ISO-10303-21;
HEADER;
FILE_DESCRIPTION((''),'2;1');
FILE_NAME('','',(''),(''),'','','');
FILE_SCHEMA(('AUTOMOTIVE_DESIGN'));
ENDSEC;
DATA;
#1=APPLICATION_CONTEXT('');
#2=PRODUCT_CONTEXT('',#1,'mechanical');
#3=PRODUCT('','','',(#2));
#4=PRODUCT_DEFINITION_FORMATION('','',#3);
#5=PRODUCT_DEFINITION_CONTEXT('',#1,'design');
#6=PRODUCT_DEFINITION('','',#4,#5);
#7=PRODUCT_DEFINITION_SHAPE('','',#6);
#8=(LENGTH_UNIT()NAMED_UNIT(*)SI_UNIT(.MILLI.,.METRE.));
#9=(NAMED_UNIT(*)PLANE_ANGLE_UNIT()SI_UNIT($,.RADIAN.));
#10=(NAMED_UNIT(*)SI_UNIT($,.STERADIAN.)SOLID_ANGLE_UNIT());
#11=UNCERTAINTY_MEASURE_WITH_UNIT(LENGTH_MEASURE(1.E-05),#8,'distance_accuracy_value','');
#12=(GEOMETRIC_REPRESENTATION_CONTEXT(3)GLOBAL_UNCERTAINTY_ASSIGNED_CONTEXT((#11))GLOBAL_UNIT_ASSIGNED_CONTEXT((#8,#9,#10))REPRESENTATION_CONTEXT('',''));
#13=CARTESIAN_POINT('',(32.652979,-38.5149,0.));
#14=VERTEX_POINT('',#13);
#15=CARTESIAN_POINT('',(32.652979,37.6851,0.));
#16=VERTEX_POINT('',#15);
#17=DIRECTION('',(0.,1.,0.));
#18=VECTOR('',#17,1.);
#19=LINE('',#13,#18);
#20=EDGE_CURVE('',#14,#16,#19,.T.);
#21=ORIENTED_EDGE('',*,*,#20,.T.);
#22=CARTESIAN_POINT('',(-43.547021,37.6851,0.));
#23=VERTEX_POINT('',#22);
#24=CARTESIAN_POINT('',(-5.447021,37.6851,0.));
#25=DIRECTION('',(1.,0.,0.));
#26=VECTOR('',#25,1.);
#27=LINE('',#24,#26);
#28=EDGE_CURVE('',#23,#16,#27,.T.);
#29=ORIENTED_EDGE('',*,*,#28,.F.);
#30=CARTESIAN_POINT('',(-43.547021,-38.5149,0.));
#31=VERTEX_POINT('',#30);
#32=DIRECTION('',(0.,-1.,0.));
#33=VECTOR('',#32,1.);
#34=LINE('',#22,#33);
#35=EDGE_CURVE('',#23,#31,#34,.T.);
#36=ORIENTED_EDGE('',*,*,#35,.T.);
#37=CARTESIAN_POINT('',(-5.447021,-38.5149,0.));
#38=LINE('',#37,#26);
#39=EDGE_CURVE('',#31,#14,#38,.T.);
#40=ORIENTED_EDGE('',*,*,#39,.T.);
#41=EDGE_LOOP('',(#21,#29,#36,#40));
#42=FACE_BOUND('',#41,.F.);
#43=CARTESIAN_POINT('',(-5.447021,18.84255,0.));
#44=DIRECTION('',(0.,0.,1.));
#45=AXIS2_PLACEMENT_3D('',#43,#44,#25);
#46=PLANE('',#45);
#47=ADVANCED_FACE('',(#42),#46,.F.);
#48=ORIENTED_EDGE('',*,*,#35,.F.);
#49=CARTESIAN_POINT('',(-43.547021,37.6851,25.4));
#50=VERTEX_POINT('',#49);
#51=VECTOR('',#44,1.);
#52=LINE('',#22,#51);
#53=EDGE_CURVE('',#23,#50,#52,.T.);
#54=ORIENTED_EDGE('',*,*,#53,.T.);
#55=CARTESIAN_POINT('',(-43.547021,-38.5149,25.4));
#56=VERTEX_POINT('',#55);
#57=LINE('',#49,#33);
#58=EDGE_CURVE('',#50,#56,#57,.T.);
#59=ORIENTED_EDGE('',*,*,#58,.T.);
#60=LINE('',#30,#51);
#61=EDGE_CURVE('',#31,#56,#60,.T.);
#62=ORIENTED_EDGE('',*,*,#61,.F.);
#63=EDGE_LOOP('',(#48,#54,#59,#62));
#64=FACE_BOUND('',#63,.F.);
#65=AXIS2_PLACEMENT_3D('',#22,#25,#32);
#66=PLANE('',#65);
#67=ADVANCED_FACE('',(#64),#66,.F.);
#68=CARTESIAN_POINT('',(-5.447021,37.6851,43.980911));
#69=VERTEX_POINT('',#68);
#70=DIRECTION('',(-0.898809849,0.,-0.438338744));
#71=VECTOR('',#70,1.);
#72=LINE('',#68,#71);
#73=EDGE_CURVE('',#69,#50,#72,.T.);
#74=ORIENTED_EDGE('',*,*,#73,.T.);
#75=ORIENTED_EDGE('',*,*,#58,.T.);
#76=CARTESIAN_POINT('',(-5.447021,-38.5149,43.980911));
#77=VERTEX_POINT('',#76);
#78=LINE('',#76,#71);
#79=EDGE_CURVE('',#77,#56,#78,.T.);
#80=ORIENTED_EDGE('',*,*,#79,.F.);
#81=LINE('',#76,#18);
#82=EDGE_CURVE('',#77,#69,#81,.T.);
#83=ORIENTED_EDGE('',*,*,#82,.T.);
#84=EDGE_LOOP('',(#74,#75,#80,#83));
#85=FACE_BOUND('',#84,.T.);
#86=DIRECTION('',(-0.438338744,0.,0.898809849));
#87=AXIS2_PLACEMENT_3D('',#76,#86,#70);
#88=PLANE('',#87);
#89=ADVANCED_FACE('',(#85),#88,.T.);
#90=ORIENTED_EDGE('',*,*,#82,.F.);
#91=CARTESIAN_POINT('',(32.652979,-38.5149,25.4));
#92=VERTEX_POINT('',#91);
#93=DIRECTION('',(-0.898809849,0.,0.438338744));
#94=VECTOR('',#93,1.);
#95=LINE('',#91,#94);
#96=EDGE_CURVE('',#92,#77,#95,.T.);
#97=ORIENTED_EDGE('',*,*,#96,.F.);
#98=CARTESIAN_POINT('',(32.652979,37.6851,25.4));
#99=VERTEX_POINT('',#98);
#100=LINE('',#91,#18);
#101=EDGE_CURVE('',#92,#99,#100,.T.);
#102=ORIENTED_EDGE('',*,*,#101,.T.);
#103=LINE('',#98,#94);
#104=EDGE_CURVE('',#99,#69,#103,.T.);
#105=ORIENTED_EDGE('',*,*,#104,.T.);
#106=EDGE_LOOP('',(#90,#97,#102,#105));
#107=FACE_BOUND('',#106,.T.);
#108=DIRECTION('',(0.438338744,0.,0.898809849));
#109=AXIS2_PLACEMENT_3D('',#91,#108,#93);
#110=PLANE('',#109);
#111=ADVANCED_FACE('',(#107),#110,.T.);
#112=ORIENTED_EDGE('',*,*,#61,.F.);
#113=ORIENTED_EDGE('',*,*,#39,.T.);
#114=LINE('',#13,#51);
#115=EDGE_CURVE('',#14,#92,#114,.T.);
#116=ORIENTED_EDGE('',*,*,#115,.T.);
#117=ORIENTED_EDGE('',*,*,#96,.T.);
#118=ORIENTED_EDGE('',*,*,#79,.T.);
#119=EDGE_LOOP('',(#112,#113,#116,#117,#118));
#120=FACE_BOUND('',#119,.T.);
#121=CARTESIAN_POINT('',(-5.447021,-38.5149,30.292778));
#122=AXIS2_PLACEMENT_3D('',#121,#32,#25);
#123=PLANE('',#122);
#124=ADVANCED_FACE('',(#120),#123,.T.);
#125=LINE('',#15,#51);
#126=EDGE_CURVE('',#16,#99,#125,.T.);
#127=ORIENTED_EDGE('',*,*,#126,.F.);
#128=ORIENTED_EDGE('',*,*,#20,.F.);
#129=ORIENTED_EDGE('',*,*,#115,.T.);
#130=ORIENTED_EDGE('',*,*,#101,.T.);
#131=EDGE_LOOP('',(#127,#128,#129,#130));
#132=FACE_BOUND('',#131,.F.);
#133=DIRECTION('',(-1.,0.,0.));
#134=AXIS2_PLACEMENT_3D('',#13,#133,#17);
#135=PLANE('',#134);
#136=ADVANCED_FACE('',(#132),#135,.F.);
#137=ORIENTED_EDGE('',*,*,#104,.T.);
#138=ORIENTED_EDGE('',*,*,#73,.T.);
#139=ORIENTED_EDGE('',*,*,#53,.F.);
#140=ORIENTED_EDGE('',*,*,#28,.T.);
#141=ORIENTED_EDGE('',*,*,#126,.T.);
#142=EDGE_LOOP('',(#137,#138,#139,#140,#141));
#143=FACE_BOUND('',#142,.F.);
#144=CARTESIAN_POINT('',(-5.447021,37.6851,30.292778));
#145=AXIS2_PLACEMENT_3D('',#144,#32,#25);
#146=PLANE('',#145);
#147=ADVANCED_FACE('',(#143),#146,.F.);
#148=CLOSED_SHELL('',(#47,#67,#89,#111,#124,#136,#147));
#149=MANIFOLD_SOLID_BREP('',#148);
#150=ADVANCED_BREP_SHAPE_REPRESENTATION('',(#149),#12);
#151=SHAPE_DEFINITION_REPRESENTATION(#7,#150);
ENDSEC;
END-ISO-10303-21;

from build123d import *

# Parameters (mm, degrees)
F0_W     = 76.2
F0_H     = 37.6850995183
F0_H_2   = 38.5149004817
F1_DEPTH = 25.4
F3_DEPTH = 76.2


with BuildPart() as f1:
    # F0 (on Top) → F1 (new body)
    with BuildSketch(Plane.XY):
        with Locations((-5.4470213876, 18.8425497591)):
            Rectangle(F0_W, F0_H)
        with Locations((-5.4470213876, -19.2574502409)):
            Rectangle(F0_W, F0_H_2)
    extrude(amount=F1_DEPTH)

    # F2 (on face) → F3 (join)
    with BuildSketch(Plane.XZ.offset(38.5149004817)):
        Polygon((-43.5470213876, 25.4), (32.6529786124, 25.4), (-5.4470213876, 43.9809113741), align=None)
    extrude(amount=-F3_DEPTH)


solid = f1.part
